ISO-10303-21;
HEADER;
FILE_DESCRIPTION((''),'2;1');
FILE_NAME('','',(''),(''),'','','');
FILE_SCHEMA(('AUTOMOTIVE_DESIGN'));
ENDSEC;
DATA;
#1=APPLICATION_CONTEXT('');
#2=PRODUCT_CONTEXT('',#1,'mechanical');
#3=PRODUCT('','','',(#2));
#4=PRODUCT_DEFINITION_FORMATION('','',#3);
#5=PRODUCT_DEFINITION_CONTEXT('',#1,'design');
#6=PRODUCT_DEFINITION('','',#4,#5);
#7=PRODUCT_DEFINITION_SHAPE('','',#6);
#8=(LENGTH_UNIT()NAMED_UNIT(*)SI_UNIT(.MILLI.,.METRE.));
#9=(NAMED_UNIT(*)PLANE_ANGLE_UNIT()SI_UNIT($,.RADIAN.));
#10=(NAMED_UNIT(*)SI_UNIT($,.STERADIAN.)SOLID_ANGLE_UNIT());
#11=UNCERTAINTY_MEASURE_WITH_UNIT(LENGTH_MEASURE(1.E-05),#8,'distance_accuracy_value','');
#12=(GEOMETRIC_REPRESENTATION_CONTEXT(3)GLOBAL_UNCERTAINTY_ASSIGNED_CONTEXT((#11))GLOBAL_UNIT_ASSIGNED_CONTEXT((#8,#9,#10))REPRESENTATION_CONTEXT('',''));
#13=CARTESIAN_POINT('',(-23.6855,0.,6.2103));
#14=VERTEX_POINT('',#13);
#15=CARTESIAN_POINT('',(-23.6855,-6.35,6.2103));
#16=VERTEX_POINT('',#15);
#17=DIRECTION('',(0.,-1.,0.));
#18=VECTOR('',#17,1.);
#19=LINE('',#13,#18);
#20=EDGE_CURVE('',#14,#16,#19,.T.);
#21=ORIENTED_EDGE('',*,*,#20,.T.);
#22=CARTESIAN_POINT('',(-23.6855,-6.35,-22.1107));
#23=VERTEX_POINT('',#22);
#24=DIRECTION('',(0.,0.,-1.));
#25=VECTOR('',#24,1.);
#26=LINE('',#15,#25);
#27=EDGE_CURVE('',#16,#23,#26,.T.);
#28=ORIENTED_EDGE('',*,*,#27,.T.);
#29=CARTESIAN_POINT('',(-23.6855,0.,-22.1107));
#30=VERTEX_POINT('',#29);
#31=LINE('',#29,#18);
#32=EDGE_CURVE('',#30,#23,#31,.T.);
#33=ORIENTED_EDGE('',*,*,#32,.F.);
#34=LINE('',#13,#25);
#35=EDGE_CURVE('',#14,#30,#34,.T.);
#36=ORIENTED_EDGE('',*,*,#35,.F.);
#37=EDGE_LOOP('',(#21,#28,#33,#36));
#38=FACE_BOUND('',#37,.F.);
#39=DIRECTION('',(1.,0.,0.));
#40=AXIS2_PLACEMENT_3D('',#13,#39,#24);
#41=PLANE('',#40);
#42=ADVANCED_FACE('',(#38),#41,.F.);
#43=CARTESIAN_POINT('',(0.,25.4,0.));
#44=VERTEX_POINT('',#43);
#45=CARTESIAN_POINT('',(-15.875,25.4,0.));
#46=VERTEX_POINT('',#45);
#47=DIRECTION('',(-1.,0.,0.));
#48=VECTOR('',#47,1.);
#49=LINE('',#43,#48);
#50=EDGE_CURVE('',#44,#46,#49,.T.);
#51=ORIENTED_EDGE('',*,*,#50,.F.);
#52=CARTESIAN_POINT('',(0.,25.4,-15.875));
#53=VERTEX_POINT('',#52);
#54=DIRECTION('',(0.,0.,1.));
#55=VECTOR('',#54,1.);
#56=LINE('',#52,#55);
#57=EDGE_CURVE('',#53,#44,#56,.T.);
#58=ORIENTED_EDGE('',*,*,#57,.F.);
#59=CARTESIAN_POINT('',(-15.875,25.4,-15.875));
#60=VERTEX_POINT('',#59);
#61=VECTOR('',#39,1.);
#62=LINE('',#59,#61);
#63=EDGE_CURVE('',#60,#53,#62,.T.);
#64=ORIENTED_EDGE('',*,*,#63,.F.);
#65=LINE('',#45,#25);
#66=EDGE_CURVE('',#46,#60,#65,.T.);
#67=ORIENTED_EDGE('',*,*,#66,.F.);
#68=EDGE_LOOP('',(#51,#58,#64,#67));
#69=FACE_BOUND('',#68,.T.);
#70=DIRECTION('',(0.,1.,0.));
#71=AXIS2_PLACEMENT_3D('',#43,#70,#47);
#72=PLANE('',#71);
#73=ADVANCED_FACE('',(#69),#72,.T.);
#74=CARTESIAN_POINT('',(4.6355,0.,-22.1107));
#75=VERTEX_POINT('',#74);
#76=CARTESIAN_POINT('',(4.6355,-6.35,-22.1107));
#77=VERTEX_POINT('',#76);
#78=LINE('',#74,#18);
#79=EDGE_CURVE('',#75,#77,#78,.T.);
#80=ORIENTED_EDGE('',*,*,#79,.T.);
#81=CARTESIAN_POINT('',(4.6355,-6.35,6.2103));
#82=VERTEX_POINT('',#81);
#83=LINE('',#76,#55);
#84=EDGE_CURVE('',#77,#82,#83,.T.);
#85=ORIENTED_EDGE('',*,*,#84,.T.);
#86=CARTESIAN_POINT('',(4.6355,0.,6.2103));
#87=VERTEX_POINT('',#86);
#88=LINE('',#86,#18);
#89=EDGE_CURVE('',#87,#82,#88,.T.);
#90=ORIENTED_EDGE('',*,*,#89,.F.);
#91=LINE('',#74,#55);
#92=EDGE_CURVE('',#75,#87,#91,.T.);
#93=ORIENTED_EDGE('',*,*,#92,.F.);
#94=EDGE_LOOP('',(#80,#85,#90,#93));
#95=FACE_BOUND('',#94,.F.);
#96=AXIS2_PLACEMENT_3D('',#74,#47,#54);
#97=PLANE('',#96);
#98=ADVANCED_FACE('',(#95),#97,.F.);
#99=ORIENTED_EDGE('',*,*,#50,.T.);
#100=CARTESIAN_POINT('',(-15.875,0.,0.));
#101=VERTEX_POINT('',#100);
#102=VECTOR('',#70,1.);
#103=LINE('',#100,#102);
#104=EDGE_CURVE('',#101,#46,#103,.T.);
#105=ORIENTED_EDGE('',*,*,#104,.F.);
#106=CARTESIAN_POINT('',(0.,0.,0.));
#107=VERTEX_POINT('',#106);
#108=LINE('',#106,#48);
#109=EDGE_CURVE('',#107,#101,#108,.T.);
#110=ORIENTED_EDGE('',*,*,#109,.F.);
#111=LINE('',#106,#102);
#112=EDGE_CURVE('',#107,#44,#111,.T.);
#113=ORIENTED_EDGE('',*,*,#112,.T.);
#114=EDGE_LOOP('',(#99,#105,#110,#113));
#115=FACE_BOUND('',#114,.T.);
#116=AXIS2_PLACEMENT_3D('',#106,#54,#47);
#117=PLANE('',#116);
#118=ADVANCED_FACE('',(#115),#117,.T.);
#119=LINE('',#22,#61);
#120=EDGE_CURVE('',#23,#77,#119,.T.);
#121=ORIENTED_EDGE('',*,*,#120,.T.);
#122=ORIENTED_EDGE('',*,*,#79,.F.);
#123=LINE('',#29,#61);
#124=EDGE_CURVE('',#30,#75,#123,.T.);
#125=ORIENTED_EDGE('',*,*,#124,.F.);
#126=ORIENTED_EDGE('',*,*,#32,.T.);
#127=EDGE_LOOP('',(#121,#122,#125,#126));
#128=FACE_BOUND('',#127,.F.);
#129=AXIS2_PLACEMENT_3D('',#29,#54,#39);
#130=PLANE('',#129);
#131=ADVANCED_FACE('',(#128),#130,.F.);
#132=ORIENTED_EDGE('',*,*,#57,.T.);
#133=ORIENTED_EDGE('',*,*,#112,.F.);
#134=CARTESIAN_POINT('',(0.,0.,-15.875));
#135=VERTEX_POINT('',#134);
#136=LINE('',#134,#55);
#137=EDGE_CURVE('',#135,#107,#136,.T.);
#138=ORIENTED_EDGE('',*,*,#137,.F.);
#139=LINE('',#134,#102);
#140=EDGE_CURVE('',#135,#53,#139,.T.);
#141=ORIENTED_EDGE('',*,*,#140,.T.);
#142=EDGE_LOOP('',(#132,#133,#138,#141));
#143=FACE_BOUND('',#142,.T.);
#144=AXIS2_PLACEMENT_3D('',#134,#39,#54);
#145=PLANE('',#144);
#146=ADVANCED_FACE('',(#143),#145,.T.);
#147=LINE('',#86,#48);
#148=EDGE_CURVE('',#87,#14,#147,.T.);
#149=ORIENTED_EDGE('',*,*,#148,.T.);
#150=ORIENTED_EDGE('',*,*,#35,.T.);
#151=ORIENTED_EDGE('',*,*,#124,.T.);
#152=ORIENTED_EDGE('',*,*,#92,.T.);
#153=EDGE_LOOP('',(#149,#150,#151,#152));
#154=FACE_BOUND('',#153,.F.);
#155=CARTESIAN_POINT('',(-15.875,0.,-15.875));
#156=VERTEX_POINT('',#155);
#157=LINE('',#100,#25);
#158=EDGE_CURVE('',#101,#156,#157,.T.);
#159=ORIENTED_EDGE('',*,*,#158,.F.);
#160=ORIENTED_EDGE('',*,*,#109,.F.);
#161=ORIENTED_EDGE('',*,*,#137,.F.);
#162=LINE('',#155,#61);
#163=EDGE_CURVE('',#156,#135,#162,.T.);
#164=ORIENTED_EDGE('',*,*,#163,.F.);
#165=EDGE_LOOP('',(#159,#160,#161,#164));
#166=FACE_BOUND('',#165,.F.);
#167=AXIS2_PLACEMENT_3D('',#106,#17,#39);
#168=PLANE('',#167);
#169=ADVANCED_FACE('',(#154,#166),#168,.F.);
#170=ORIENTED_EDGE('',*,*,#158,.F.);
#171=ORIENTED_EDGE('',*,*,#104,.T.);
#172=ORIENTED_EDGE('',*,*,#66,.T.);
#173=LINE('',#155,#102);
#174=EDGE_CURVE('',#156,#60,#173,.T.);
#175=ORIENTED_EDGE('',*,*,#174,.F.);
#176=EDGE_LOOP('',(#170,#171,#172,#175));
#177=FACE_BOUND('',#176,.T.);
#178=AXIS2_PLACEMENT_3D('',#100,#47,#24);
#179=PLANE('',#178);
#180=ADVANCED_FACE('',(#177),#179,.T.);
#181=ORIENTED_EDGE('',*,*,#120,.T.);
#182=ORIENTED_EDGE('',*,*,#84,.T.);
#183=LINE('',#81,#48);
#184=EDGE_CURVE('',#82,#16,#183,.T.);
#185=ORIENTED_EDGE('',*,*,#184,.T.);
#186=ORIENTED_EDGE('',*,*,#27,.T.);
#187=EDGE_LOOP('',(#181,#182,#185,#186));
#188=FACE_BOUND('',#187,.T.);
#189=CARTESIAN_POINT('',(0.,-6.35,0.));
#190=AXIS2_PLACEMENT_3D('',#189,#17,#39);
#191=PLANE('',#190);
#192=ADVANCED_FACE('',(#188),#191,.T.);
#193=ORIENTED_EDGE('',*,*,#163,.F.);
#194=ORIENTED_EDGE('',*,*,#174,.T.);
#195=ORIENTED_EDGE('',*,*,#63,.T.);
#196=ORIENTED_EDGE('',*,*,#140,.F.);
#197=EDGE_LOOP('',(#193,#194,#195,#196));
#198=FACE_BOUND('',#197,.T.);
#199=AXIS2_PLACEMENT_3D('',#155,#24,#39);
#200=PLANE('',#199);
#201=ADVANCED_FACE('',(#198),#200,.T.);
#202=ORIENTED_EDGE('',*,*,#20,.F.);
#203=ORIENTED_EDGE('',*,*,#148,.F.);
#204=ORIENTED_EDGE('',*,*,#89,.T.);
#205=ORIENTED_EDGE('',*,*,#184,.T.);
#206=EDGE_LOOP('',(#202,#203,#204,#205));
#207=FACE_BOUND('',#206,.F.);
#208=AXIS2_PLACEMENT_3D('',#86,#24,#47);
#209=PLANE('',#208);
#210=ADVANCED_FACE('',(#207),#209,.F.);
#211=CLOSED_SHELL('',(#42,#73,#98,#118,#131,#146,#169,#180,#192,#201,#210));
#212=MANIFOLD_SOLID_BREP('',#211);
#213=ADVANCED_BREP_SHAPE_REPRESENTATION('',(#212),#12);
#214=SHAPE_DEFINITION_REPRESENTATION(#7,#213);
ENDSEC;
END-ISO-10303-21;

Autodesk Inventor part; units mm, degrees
ref_plane "YZ Plane" through (0, 0, 0) normal (1, 0, 0) x (0, 1, 0)
ref_plane "XZ Plane" through (0, 0, 0) normal (0, 1, 0) x (-1, 0, 0)
ref_plane "XY Plane" through (0, 0, 0) normal (0, 0, 1) x (1, 0, 0)
sketch "Sketch1" plane through (0, 0, 0) normal (0, 1, 0) x (-1, 0, 0)
  line L0 (0, 0) -> (15.875, 0)
  line L1 (15.875, 0) -> (15.875, -15.875)
  line L2 (15.875, -15.875) -> (0, -15.875)
  line L3 (0, -15.875) -> (0, 0)
  dimension "d0" = 15.875
  dimension "d1" = 15.875
extrude "Extrusion1" add sketch "Sketch1" along normal blind 25.4
sketch "Sketch3" plane through (0, 0, 0) normal (0, -1, 0) x (1, 0, 0)
  line L0 (-23.6855, -22.1107) -> (4.6355, -22.1107)
  line L1 (4.6355, -22.1107) -> (4.6355, 6.2103)
  line L2 (4.6355, 6.2103) -> (-23.6855, 6.2103)
  line L3 (-23.6855, 6.2103) -> (-23.6855, -22.1107)
  line L4 (-23.6855, -22.1107) -> (4.6355, 6.2103) construction
  line L5 (4.6355, -22.1107) -> (-23.6855, 6.2103) construction
  line L6 (0, 0) -> (-15.875, 0) projected
  line L7 (0, -15.875) -> (0, 0) projected
  line L8 (-15.875, 0) -> (-15.875, -15.875) projected
  point P0 (-9.525, -7.9502)
  dimension "d15" = 28.321
  dimension "d16" = 28.321
  dimension "d17" = 7.9502
  dimension "d21" = 6.35
extrude "Extrusion3" add sketch "Sketch3" along normal blind 6.35
equation "\"d16\" = d15"
properties part number "Stage 1 Plug"
